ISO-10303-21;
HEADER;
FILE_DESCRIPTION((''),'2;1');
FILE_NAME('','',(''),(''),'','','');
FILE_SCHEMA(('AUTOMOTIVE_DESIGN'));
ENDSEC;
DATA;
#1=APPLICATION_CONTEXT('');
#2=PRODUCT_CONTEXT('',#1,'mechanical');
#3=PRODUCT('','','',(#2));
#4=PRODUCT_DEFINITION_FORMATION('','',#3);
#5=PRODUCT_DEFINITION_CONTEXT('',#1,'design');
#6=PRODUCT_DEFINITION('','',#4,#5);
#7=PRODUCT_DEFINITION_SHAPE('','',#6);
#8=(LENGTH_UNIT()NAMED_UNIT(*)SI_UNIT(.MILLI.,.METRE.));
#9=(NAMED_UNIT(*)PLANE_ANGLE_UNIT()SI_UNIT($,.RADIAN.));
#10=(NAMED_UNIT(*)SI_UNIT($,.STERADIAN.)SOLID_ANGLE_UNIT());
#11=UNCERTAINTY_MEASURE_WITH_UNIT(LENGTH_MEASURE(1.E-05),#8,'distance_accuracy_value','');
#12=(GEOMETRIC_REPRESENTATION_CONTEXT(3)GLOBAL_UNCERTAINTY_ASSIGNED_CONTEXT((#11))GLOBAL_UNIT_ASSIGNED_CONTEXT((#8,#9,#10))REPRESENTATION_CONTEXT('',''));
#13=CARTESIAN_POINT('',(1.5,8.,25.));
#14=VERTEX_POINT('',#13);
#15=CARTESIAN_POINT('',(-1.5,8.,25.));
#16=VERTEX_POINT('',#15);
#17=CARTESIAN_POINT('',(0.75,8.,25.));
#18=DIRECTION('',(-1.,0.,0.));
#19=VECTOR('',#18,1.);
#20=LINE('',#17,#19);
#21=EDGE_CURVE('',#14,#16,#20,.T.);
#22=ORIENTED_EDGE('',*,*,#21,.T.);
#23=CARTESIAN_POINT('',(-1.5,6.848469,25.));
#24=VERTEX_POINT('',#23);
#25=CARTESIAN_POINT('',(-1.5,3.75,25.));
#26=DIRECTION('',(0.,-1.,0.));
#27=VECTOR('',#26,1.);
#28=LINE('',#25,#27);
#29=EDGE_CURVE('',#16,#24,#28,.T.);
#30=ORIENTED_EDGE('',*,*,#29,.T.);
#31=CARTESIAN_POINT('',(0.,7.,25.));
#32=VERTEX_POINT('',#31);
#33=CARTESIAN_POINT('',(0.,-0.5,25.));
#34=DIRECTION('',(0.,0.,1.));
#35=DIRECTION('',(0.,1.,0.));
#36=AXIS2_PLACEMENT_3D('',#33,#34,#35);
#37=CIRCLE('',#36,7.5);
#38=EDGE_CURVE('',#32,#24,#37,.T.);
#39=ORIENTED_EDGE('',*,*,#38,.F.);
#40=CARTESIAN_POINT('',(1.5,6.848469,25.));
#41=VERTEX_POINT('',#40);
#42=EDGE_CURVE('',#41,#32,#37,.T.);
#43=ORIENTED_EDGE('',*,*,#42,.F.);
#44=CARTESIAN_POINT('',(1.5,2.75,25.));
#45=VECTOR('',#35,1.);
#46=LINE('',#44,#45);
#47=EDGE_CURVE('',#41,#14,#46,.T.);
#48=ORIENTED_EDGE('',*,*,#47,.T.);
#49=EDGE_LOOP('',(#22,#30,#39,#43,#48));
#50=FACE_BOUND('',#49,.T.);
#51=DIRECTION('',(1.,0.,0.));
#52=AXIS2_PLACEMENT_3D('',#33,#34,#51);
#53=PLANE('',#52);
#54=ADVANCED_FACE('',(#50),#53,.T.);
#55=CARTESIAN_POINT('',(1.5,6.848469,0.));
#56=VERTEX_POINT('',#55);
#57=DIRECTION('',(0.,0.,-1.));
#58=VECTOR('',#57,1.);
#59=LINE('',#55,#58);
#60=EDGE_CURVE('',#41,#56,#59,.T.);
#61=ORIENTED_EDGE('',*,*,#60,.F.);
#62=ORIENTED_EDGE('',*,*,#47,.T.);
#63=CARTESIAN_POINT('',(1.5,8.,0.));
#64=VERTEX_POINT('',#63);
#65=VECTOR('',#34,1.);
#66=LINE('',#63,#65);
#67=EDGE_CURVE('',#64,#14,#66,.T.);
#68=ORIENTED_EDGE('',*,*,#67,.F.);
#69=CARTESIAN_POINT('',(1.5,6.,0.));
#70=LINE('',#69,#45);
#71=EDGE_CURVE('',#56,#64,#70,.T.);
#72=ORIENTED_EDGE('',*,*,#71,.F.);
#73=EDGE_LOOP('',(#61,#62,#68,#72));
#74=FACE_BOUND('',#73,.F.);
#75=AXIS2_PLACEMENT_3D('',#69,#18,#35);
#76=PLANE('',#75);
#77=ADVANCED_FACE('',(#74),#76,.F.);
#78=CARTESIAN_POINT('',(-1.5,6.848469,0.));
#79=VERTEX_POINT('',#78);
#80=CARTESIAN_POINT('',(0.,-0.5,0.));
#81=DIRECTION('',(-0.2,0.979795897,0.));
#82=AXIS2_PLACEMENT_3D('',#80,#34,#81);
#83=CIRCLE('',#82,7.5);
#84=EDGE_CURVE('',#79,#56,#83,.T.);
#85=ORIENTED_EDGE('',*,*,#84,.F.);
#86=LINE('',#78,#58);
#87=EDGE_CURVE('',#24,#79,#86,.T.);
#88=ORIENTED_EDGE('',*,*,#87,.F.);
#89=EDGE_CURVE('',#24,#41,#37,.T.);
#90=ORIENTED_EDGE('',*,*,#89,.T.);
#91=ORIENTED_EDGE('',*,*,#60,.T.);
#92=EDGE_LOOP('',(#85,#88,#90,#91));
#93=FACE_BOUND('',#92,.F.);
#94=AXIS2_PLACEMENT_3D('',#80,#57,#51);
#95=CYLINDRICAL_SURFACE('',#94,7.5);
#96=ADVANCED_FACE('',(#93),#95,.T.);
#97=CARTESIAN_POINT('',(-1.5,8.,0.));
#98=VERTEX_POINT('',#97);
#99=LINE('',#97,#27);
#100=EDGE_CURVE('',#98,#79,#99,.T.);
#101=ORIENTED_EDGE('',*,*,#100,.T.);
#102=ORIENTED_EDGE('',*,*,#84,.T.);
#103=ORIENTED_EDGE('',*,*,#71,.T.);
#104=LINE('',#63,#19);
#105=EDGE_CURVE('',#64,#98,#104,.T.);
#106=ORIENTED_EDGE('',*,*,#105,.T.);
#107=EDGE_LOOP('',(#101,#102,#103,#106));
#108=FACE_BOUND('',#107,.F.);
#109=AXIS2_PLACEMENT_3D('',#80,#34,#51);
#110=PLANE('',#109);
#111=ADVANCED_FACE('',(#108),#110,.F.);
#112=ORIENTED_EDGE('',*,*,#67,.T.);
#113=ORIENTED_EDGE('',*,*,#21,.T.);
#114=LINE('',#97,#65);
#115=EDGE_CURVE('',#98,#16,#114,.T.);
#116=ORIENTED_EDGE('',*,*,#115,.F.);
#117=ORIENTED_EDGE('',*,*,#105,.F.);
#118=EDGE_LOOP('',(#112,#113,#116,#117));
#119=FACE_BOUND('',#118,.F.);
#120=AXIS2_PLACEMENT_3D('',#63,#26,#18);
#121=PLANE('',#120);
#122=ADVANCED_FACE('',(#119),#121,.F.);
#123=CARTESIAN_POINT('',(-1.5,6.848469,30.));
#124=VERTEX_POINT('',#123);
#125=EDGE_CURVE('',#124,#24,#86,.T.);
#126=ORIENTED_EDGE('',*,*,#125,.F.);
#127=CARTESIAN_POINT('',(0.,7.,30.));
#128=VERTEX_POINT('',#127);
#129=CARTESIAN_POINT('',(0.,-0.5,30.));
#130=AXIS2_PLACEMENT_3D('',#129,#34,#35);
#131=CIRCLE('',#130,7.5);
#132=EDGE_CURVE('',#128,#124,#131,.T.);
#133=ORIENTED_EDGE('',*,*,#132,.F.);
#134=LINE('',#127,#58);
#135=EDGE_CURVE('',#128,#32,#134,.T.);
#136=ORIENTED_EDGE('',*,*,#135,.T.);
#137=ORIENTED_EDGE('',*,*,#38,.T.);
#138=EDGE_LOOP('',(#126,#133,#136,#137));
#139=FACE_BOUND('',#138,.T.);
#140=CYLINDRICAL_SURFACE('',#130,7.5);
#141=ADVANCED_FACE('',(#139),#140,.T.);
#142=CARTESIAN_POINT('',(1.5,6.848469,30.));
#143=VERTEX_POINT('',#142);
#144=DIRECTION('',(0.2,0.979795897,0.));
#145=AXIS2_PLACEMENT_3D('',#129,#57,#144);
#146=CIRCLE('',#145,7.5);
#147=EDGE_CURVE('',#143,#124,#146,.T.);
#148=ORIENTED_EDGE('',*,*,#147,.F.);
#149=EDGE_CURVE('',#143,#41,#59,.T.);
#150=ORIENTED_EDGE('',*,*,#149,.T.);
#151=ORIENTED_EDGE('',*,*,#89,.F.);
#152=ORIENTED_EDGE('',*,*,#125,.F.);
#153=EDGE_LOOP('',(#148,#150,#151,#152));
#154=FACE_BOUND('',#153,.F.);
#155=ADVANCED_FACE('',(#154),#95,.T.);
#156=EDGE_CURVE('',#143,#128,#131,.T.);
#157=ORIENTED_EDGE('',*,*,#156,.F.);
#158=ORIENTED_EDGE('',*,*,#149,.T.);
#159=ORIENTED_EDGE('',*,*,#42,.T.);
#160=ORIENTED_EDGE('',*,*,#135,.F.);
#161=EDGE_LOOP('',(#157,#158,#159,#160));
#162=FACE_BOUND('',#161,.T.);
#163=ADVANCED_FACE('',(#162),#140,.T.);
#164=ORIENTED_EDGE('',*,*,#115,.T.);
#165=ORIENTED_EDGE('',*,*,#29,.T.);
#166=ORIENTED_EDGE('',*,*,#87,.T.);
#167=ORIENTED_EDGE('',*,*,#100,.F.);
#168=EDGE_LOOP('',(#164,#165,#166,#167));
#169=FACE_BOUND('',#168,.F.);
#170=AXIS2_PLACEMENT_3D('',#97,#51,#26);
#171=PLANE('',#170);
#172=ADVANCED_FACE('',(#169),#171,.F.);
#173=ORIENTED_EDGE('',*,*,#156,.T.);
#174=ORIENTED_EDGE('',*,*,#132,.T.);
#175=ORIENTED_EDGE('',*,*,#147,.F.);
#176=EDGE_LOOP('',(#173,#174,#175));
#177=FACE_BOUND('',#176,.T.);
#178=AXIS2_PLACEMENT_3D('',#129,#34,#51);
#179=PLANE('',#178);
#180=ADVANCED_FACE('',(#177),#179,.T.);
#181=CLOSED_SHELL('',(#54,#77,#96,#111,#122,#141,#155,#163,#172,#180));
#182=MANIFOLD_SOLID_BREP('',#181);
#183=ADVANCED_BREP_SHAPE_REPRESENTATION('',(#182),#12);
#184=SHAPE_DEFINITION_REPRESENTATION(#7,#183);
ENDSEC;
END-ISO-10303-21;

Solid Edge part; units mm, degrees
sketch "Sketch1" plane through (0, 0, 0) normal (0, 0, 1) x (1, 0, 0)
  circle A0 centre (0, -0.5) radius 7.5
  line L0 (1.5, 8) -> (-1.5, 8)
  line L1 (-1.5, 8) -> (-1.5, 6)
  line L2 (-1.5, 6) -> (1.5, 6)
  line L3 (1.5, 6) -> (1.5, 8)
extrude "Protrusion1" add sketch "Sketch1" along normal blind 30
sketch "Sketch2" plane through (0, 0, 30) normal (0, 0, 1) x (0, 1, 0)
  circle A0 centre (-0.5, 0) radius 9
  circle A1 centre (-0.5, 0) radius 7.5
extrude "ExtrudedCutout_3" cut sketch "Sketch2" against normal blind 5
properties material "Stainless steel"
